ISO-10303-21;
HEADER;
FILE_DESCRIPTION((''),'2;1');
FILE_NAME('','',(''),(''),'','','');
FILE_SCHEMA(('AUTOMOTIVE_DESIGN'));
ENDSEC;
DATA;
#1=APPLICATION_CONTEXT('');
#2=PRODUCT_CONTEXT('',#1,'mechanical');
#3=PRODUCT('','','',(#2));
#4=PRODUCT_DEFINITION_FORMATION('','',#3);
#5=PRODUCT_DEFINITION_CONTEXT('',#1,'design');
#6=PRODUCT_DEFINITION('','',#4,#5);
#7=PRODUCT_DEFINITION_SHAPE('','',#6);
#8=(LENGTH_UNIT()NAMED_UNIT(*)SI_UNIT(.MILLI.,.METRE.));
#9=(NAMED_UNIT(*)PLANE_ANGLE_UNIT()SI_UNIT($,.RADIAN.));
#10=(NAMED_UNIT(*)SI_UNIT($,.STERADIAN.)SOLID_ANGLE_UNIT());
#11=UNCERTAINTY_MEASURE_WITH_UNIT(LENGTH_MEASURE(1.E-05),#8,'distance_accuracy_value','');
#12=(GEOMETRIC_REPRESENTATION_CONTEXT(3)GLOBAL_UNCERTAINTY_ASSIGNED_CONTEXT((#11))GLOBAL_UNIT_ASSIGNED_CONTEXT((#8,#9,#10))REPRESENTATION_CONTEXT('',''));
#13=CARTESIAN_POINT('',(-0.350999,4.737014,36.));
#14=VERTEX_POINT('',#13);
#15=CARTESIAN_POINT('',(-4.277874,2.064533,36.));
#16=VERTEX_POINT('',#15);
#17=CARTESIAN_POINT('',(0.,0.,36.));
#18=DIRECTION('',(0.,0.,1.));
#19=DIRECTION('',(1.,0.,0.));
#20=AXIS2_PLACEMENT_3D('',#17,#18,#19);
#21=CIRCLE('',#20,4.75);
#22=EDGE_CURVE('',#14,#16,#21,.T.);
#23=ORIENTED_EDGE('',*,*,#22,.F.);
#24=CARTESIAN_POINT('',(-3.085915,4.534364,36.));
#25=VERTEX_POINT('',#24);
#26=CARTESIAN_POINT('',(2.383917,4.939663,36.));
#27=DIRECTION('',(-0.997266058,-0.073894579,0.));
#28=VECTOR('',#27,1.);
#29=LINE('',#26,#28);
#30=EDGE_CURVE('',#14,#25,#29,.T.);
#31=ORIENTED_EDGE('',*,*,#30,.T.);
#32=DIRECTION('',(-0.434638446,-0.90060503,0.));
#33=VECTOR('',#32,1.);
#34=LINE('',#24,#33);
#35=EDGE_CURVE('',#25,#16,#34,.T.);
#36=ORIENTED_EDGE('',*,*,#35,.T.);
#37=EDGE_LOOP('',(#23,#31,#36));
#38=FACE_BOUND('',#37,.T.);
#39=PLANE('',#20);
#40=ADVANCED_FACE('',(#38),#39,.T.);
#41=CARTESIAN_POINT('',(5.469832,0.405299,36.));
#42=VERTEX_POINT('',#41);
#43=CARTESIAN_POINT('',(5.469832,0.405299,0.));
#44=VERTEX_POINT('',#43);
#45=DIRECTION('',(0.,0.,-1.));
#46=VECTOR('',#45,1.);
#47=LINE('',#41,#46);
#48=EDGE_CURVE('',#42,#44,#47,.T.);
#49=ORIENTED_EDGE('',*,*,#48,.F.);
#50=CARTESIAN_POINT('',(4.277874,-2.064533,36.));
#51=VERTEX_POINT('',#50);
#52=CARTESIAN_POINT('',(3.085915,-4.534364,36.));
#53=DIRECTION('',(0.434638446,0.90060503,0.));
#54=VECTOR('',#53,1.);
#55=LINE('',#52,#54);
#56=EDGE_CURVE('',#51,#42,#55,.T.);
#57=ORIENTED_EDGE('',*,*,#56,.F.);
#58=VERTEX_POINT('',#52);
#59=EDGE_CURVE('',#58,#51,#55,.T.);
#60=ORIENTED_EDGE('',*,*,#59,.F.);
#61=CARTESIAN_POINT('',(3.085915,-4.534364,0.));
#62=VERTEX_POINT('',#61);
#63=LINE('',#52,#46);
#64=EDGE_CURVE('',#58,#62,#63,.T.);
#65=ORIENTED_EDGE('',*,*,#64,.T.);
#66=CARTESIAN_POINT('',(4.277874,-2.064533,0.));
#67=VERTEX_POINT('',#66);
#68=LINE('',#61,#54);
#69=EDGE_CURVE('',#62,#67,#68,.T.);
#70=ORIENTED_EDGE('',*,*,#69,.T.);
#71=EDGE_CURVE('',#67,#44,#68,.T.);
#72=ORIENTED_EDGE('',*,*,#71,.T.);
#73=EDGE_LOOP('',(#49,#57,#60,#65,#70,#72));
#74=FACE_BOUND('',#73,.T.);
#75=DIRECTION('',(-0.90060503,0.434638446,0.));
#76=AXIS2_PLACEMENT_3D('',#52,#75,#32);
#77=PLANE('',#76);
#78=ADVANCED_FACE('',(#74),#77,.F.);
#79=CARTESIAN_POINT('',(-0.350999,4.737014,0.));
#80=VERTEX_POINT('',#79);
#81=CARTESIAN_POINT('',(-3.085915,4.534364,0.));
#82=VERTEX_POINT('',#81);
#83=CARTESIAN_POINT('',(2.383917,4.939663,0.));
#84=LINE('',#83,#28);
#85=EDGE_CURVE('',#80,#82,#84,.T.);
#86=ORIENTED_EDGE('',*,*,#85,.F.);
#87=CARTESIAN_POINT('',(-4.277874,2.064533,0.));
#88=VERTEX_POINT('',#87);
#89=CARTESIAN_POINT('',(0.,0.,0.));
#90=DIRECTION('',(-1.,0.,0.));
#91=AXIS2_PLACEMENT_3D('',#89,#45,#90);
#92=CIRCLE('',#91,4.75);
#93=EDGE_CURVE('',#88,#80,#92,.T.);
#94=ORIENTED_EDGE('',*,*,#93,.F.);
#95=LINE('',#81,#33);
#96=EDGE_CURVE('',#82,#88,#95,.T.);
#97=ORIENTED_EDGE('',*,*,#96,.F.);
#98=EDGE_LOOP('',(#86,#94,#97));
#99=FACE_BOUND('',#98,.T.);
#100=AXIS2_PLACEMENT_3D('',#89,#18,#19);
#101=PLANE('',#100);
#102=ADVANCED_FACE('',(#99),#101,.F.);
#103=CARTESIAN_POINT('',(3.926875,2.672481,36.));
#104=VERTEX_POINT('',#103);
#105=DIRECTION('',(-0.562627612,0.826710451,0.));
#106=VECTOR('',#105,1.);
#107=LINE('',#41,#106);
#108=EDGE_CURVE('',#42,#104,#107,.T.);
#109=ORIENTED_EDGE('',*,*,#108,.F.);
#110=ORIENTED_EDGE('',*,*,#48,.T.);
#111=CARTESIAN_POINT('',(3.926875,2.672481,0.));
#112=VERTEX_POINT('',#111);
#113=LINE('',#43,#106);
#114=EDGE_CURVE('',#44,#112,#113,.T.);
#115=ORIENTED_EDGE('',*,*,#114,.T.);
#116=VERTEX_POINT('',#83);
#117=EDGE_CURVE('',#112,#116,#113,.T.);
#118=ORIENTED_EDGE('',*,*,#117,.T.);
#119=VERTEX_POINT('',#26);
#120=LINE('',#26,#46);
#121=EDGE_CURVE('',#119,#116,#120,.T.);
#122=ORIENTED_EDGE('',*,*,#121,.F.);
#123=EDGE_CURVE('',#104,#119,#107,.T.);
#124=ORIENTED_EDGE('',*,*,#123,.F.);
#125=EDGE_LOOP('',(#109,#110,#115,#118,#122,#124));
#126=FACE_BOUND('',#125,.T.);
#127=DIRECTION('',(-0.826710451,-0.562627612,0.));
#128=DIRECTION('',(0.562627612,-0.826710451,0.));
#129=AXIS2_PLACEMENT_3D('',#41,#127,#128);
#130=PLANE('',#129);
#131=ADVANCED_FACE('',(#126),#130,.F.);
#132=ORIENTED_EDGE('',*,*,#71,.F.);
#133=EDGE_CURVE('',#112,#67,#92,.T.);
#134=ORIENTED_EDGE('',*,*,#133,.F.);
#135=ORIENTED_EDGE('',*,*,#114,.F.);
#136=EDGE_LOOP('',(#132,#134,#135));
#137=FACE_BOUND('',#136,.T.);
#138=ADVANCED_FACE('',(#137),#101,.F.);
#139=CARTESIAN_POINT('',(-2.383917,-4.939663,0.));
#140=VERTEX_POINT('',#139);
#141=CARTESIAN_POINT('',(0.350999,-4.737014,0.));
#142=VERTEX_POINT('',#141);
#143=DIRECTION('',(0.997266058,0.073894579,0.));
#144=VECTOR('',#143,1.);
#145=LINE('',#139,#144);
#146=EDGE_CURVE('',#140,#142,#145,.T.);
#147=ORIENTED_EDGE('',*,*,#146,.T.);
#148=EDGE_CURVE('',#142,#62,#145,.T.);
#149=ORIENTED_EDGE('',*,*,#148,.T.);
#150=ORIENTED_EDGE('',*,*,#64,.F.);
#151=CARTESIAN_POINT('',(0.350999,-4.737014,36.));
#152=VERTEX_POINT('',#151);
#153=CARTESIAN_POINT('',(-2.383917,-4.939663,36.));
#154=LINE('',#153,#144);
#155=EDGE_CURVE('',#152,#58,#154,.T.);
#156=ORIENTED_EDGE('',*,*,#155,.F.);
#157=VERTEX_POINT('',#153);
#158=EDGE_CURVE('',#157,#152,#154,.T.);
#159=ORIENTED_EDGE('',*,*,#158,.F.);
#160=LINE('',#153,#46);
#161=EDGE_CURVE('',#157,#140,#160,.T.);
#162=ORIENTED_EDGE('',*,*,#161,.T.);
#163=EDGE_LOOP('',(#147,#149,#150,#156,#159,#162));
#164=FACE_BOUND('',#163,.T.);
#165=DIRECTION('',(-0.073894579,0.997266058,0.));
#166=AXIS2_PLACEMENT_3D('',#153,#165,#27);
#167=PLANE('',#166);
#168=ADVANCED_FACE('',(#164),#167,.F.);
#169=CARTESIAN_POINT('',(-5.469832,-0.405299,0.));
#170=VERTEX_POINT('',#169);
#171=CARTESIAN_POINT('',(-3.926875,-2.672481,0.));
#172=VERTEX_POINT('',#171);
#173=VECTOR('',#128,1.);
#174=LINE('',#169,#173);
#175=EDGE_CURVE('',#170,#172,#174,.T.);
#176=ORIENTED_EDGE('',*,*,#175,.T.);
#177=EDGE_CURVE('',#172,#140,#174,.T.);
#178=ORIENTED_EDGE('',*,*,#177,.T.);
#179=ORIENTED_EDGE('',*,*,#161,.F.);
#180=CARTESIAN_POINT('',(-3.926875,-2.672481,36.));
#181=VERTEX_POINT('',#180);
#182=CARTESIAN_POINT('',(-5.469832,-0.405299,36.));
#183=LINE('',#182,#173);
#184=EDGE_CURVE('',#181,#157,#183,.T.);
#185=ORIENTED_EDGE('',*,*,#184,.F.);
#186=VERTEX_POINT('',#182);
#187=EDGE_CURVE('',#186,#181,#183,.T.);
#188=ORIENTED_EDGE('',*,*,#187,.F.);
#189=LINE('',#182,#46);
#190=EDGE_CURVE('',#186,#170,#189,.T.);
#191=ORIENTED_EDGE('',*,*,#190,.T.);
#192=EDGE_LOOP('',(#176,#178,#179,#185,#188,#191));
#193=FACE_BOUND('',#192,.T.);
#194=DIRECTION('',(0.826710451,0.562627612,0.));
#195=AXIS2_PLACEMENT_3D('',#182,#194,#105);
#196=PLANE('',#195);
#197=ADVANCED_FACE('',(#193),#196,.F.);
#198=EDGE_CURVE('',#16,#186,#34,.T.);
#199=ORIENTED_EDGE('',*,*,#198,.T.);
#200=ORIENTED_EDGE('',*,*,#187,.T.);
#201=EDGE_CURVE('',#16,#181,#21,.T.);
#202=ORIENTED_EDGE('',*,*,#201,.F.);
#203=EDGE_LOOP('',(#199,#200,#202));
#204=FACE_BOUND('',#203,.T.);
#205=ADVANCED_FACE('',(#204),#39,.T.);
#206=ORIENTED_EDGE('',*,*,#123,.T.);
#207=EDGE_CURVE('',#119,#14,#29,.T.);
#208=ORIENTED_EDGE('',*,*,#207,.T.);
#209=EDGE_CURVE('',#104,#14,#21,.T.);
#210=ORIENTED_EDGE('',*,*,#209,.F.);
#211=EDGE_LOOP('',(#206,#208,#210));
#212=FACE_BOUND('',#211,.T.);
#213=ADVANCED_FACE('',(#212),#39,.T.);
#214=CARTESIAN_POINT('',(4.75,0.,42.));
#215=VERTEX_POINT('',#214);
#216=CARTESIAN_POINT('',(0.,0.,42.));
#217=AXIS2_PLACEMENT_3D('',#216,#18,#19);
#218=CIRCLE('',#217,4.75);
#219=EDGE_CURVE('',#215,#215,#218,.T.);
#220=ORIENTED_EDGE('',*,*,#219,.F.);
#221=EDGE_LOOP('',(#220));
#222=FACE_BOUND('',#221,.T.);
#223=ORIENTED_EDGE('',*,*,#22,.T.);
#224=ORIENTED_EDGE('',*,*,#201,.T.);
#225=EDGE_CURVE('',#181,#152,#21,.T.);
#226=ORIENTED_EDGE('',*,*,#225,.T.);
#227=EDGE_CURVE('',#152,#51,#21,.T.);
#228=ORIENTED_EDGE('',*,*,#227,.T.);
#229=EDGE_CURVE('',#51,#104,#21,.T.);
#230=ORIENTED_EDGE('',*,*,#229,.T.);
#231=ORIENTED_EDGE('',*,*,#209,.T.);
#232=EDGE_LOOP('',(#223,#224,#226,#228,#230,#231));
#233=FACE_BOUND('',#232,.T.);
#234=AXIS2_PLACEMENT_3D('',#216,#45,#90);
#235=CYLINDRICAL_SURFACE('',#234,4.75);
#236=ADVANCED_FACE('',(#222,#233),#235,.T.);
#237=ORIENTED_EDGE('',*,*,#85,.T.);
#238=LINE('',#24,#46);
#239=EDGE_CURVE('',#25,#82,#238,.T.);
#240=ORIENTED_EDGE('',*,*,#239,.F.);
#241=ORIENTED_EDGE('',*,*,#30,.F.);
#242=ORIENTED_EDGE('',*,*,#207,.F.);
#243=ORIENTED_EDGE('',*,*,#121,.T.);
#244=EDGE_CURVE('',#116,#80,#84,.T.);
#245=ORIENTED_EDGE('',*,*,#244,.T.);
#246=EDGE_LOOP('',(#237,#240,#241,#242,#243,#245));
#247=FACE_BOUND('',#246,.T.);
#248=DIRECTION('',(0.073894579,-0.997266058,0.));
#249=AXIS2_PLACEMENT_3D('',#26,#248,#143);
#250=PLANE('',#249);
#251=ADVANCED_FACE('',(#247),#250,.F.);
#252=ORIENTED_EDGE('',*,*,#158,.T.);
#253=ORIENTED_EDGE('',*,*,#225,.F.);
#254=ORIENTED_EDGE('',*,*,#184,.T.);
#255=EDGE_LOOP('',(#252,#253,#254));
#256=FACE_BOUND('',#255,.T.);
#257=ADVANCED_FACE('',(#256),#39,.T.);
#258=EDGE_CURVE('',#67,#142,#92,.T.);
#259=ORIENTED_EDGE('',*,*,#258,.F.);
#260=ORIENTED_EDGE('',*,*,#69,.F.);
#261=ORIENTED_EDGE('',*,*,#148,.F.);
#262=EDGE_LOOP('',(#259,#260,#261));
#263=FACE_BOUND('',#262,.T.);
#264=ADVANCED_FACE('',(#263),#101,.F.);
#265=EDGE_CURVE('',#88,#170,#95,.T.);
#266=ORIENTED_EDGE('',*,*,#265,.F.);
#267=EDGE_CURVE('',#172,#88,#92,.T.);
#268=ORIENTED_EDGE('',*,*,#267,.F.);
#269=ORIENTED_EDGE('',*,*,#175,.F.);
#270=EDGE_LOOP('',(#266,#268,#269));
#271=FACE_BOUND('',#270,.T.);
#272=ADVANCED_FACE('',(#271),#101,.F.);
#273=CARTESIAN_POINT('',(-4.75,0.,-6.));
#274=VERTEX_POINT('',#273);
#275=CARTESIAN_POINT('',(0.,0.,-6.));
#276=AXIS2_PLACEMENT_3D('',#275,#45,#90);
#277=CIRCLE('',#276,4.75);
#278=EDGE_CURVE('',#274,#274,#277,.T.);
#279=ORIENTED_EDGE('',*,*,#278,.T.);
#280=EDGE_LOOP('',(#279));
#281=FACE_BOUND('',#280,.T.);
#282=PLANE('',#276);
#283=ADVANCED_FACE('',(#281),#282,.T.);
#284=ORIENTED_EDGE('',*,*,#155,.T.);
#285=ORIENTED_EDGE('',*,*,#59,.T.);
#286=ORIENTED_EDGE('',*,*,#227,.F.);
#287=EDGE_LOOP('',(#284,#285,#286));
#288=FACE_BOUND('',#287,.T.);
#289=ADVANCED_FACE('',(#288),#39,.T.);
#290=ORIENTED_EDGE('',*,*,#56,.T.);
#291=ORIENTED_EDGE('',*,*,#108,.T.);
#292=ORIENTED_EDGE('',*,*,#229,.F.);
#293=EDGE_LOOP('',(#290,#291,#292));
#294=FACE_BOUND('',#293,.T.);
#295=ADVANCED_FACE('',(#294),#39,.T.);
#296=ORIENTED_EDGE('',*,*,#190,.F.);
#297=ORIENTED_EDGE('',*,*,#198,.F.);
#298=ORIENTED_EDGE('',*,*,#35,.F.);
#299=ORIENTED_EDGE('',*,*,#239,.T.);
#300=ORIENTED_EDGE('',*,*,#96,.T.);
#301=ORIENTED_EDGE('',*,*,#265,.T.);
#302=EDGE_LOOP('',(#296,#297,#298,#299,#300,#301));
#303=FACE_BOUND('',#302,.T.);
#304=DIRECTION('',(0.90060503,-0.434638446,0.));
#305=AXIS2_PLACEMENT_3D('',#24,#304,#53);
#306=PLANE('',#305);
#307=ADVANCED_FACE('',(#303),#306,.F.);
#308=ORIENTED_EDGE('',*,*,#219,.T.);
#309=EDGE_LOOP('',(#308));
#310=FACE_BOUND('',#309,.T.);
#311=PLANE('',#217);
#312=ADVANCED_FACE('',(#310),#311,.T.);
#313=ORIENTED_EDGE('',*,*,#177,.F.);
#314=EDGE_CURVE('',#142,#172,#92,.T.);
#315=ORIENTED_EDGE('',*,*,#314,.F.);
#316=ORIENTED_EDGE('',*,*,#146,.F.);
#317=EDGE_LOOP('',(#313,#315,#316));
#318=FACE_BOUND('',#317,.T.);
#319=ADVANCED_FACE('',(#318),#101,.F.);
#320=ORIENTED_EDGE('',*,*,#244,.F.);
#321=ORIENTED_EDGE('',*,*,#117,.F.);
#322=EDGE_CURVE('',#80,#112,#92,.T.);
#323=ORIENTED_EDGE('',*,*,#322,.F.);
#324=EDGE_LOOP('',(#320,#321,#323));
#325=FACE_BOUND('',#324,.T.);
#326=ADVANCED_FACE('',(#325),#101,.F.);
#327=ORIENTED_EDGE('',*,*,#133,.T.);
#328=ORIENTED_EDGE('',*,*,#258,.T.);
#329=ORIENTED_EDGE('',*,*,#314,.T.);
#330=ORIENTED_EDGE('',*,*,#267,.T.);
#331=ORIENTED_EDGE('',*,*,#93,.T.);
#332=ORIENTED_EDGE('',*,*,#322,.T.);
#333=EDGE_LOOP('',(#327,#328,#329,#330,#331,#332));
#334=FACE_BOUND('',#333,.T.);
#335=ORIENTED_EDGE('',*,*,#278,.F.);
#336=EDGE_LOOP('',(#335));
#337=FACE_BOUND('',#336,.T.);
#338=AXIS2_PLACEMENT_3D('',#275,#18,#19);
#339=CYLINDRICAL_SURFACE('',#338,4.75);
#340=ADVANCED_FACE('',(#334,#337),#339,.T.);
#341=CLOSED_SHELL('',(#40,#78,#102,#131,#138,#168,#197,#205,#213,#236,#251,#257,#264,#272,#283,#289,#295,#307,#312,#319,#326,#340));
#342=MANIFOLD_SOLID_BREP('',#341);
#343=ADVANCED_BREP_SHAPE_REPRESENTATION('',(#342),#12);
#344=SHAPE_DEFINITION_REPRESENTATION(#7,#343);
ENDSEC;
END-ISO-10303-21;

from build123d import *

# Parameters (mm, degrees)
EXTRUDE_1_DEPTH = 36
SKETCH_4_R      = 4.75
EXTRUDE_2_DEPTH = 6
EXTRUDE_START   = 6
SKETCH_5_R      = 4.75
EXTRUDE_3_DEPTH = 6


with BuildPart() as part:
    # 草图3 → 凸台-拉伸1 (new body)
    with BuildSketch(Plane.XY):
        Polygon((5.469832359, 0.405299024), (2.383916929, 4.939663289), (-3.08591543, 4.534364265), (-5.469832359, -0.405299024), (-2.383916929, -4.939663289), (3.08591543, -4.534364265), align=None)
    extrude(amount=EXTRUDE_1_DEPTH)

    # 草图4 → 凸台-拉伸2 (add)
    with BuildSketch(Plane(origin=(0, 0, 0), x_dir=(-1, 0, 0), z_dir=(0, 0, -1))):
        with Locations(Location((0, 0, 0), (0, 0, 205.7622899))):
            Circle(SKETCH_4_R)
    extrude(amount=EXTRUDE_2_DEPTH)

    # 草图5 → 凸台-拉伸3 (add)
    with BuildSketch(Plane.XY.offset(36).offset(EXTRUDE_START)):
        with Locations(Location((0, 0, 0), (0, 0, 334.2377101))):
            Circle(SKETCH_5_R)
    extrude(amount=-EXTRUDE_3_DEPTH)


solid = part.part
